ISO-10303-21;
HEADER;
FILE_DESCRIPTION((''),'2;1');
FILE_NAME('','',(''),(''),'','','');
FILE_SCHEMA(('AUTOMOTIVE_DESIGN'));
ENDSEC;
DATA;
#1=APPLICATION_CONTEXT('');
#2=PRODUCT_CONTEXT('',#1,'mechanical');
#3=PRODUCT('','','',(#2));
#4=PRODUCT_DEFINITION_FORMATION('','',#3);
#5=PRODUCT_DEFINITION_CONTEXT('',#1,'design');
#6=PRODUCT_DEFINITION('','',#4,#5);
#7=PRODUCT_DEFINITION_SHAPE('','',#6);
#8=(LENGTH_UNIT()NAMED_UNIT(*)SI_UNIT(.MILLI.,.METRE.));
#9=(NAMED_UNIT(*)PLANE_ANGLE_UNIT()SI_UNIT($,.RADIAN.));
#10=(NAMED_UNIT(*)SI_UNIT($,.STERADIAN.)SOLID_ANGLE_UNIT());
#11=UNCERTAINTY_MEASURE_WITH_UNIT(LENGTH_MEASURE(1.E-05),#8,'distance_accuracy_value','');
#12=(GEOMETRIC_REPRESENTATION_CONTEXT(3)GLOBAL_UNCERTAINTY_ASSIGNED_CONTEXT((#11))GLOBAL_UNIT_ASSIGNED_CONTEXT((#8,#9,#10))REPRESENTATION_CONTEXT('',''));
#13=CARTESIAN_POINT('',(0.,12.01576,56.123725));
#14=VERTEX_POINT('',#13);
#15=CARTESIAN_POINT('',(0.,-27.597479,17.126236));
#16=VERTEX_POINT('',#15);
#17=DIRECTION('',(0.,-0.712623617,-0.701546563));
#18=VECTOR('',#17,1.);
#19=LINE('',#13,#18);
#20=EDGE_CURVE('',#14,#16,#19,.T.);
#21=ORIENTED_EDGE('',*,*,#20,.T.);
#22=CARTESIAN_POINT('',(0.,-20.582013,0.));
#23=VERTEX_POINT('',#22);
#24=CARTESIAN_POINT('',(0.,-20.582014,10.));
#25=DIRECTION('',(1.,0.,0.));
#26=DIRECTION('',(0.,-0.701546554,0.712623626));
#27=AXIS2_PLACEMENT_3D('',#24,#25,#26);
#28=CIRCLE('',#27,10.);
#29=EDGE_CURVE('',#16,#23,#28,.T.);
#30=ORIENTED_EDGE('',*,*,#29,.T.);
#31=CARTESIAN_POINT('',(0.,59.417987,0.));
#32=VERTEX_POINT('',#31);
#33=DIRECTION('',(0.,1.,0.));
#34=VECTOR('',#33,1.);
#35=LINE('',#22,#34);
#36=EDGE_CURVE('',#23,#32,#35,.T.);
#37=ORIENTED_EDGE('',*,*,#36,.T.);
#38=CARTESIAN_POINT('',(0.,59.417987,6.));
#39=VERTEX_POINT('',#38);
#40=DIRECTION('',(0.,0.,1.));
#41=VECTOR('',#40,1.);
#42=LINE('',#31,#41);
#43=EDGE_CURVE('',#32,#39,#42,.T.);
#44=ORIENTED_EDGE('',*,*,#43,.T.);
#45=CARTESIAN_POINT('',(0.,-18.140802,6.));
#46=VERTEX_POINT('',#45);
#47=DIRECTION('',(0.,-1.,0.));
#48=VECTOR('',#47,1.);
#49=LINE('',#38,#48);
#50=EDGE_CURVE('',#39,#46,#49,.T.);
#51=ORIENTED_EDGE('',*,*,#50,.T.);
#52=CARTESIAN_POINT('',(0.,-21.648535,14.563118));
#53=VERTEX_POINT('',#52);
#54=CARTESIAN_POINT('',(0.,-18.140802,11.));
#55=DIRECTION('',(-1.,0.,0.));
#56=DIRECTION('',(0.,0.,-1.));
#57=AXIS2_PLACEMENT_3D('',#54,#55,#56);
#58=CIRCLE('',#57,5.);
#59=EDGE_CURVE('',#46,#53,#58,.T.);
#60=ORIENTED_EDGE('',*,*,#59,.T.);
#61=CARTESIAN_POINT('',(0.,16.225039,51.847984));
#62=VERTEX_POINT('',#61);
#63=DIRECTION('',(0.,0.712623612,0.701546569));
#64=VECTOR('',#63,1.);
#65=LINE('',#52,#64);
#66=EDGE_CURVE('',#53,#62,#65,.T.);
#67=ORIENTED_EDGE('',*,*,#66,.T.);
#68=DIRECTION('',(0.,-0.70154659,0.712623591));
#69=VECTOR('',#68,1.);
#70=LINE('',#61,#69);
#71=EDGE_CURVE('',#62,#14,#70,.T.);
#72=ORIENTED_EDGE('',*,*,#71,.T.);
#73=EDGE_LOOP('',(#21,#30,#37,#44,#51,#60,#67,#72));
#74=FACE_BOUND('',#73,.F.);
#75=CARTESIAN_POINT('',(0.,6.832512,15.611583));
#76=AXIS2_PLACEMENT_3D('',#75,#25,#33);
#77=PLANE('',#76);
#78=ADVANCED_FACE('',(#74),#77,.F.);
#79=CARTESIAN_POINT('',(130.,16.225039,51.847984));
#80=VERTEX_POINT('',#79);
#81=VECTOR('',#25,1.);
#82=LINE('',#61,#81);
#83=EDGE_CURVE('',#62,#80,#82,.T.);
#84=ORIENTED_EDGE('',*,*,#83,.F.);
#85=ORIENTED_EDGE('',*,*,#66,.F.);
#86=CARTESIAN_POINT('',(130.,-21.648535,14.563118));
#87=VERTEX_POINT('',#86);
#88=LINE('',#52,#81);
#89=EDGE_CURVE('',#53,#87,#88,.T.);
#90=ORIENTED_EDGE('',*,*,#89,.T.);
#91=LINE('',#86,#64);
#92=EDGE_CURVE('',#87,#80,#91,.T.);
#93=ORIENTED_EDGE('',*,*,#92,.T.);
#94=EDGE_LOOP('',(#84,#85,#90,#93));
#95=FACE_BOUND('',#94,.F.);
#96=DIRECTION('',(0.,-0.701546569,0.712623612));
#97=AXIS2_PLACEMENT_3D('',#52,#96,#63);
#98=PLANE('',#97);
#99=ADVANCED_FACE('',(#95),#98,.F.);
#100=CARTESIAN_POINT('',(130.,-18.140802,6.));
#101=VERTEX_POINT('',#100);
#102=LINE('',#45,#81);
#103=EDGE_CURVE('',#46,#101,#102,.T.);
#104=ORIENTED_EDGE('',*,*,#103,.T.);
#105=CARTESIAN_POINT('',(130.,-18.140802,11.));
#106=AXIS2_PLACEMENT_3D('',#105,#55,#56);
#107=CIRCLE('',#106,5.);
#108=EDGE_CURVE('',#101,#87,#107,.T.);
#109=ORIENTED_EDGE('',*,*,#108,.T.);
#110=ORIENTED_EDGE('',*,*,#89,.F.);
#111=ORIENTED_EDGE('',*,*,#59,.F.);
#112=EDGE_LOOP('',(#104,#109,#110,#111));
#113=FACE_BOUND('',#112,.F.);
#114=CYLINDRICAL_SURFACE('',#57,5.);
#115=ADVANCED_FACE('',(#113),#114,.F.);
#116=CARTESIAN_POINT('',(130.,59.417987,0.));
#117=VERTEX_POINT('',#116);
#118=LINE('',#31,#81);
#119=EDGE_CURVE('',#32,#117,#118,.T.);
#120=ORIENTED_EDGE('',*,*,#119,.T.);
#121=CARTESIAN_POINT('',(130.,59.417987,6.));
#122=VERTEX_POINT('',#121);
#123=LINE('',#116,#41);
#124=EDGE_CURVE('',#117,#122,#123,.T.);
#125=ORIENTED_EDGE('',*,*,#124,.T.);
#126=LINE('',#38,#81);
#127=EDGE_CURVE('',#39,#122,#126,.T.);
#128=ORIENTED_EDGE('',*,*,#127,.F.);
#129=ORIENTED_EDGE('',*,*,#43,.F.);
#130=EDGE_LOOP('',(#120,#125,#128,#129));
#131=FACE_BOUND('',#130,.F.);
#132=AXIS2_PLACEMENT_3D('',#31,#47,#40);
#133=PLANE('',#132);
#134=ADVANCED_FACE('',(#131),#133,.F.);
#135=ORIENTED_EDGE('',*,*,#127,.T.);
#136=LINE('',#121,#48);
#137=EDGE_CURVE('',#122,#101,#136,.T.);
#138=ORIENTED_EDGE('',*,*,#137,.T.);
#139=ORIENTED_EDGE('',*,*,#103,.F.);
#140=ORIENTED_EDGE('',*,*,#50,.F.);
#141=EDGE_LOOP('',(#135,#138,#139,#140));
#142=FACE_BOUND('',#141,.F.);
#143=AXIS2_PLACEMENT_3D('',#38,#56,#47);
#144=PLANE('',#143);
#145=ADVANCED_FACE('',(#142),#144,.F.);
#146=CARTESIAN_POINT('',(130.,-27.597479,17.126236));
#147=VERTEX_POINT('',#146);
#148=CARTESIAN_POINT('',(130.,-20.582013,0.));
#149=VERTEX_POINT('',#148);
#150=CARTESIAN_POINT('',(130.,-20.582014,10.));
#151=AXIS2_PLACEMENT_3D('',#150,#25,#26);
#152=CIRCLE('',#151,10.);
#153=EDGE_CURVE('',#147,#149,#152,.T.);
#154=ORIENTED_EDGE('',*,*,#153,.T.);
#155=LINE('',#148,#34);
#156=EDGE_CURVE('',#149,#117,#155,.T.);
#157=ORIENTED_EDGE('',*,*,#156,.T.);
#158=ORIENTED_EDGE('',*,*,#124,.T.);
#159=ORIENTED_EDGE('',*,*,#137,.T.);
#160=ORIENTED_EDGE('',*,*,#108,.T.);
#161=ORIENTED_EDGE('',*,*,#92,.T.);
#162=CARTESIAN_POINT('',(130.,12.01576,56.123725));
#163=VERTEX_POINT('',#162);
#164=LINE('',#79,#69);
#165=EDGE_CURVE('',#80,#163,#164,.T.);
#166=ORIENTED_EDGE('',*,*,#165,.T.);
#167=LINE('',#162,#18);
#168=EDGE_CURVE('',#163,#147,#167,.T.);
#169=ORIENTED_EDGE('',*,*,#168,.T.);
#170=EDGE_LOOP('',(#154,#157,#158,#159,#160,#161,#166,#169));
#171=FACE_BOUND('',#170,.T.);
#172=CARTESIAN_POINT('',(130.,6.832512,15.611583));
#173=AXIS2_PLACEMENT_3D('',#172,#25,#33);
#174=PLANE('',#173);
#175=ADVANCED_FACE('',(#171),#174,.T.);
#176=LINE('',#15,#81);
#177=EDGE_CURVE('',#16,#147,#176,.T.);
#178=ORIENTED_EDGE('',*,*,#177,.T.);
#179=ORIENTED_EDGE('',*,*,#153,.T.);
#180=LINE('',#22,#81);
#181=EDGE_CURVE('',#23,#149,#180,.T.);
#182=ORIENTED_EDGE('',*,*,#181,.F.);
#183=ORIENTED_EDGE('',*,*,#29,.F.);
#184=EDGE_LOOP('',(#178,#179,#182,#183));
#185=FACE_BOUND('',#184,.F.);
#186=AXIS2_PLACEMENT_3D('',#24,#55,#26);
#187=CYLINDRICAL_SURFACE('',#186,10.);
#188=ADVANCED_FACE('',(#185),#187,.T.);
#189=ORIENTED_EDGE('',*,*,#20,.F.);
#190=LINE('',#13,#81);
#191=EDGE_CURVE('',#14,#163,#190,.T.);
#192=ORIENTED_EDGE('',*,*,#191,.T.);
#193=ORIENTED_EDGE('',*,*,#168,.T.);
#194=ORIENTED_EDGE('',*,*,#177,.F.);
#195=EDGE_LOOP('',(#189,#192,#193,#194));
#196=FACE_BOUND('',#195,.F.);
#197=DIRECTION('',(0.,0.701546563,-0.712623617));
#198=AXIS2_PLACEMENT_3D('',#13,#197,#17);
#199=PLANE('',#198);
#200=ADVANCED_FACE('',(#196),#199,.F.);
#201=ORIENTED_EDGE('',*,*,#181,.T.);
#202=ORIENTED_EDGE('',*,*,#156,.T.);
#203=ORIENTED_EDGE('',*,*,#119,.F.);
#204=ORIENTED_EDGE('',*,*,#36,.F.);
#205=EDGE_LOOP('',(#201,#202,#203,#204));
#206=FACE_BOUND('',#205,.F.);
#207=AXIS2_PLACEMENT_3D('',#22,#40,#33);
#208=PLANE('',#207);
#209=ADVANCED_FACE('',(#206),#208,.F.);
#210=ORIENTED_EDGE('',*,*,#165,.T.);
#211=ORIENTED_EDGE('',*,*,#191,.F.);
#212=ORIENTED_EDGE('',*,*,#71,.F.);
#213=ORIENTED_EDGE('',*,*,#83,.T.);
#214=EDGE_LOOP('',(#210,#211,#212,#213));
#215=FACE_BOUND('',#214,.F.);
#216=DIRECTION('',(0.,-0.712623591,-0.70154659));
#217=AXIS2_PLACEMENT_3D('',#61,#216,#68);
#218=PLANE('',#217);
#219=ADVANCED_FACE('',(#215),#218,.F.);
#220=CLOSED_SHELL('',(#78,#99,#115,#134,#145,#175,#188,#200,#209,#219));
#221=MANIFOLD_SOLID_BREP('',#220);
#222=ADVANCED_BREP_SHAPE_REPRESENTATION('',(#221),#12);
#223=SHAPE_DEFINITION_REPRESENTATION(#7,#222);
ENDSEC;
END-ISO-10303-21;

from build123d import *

# Parameters (mm, degrees)
F1_DEPTH = 130


with BuildPart() as f1:
    # F0 (on Right) → F1 (new body)
    with BuildSketch(Plane.YZ):
        with BuildLine():
            Line((16.225039, 51.847984), (12.01576, 56.123725))
            Line((12.01576, 56.123725), (-27.597479, 17.126236))
            ThreePointArc((-27.597479, 17.126236), (-29.835725, 6.209377), (-20.582013, 0))
            Line((-20.582013, 0), (59.417987, 0))
            Line((59.417987, 0), (59.417987, 6))
            Line((59.417987, 6), (-18.140802, 6))
            ThreePointArc((-18.140802, 6), (-22.767658, 9.104689), (-21.648535, 14.563118))
            Line((-21.648535, 14.563118), (16.225039, 51.847984))
        make_face()
    extrude(amount=F1_DEPTH)


solid = f1.part
